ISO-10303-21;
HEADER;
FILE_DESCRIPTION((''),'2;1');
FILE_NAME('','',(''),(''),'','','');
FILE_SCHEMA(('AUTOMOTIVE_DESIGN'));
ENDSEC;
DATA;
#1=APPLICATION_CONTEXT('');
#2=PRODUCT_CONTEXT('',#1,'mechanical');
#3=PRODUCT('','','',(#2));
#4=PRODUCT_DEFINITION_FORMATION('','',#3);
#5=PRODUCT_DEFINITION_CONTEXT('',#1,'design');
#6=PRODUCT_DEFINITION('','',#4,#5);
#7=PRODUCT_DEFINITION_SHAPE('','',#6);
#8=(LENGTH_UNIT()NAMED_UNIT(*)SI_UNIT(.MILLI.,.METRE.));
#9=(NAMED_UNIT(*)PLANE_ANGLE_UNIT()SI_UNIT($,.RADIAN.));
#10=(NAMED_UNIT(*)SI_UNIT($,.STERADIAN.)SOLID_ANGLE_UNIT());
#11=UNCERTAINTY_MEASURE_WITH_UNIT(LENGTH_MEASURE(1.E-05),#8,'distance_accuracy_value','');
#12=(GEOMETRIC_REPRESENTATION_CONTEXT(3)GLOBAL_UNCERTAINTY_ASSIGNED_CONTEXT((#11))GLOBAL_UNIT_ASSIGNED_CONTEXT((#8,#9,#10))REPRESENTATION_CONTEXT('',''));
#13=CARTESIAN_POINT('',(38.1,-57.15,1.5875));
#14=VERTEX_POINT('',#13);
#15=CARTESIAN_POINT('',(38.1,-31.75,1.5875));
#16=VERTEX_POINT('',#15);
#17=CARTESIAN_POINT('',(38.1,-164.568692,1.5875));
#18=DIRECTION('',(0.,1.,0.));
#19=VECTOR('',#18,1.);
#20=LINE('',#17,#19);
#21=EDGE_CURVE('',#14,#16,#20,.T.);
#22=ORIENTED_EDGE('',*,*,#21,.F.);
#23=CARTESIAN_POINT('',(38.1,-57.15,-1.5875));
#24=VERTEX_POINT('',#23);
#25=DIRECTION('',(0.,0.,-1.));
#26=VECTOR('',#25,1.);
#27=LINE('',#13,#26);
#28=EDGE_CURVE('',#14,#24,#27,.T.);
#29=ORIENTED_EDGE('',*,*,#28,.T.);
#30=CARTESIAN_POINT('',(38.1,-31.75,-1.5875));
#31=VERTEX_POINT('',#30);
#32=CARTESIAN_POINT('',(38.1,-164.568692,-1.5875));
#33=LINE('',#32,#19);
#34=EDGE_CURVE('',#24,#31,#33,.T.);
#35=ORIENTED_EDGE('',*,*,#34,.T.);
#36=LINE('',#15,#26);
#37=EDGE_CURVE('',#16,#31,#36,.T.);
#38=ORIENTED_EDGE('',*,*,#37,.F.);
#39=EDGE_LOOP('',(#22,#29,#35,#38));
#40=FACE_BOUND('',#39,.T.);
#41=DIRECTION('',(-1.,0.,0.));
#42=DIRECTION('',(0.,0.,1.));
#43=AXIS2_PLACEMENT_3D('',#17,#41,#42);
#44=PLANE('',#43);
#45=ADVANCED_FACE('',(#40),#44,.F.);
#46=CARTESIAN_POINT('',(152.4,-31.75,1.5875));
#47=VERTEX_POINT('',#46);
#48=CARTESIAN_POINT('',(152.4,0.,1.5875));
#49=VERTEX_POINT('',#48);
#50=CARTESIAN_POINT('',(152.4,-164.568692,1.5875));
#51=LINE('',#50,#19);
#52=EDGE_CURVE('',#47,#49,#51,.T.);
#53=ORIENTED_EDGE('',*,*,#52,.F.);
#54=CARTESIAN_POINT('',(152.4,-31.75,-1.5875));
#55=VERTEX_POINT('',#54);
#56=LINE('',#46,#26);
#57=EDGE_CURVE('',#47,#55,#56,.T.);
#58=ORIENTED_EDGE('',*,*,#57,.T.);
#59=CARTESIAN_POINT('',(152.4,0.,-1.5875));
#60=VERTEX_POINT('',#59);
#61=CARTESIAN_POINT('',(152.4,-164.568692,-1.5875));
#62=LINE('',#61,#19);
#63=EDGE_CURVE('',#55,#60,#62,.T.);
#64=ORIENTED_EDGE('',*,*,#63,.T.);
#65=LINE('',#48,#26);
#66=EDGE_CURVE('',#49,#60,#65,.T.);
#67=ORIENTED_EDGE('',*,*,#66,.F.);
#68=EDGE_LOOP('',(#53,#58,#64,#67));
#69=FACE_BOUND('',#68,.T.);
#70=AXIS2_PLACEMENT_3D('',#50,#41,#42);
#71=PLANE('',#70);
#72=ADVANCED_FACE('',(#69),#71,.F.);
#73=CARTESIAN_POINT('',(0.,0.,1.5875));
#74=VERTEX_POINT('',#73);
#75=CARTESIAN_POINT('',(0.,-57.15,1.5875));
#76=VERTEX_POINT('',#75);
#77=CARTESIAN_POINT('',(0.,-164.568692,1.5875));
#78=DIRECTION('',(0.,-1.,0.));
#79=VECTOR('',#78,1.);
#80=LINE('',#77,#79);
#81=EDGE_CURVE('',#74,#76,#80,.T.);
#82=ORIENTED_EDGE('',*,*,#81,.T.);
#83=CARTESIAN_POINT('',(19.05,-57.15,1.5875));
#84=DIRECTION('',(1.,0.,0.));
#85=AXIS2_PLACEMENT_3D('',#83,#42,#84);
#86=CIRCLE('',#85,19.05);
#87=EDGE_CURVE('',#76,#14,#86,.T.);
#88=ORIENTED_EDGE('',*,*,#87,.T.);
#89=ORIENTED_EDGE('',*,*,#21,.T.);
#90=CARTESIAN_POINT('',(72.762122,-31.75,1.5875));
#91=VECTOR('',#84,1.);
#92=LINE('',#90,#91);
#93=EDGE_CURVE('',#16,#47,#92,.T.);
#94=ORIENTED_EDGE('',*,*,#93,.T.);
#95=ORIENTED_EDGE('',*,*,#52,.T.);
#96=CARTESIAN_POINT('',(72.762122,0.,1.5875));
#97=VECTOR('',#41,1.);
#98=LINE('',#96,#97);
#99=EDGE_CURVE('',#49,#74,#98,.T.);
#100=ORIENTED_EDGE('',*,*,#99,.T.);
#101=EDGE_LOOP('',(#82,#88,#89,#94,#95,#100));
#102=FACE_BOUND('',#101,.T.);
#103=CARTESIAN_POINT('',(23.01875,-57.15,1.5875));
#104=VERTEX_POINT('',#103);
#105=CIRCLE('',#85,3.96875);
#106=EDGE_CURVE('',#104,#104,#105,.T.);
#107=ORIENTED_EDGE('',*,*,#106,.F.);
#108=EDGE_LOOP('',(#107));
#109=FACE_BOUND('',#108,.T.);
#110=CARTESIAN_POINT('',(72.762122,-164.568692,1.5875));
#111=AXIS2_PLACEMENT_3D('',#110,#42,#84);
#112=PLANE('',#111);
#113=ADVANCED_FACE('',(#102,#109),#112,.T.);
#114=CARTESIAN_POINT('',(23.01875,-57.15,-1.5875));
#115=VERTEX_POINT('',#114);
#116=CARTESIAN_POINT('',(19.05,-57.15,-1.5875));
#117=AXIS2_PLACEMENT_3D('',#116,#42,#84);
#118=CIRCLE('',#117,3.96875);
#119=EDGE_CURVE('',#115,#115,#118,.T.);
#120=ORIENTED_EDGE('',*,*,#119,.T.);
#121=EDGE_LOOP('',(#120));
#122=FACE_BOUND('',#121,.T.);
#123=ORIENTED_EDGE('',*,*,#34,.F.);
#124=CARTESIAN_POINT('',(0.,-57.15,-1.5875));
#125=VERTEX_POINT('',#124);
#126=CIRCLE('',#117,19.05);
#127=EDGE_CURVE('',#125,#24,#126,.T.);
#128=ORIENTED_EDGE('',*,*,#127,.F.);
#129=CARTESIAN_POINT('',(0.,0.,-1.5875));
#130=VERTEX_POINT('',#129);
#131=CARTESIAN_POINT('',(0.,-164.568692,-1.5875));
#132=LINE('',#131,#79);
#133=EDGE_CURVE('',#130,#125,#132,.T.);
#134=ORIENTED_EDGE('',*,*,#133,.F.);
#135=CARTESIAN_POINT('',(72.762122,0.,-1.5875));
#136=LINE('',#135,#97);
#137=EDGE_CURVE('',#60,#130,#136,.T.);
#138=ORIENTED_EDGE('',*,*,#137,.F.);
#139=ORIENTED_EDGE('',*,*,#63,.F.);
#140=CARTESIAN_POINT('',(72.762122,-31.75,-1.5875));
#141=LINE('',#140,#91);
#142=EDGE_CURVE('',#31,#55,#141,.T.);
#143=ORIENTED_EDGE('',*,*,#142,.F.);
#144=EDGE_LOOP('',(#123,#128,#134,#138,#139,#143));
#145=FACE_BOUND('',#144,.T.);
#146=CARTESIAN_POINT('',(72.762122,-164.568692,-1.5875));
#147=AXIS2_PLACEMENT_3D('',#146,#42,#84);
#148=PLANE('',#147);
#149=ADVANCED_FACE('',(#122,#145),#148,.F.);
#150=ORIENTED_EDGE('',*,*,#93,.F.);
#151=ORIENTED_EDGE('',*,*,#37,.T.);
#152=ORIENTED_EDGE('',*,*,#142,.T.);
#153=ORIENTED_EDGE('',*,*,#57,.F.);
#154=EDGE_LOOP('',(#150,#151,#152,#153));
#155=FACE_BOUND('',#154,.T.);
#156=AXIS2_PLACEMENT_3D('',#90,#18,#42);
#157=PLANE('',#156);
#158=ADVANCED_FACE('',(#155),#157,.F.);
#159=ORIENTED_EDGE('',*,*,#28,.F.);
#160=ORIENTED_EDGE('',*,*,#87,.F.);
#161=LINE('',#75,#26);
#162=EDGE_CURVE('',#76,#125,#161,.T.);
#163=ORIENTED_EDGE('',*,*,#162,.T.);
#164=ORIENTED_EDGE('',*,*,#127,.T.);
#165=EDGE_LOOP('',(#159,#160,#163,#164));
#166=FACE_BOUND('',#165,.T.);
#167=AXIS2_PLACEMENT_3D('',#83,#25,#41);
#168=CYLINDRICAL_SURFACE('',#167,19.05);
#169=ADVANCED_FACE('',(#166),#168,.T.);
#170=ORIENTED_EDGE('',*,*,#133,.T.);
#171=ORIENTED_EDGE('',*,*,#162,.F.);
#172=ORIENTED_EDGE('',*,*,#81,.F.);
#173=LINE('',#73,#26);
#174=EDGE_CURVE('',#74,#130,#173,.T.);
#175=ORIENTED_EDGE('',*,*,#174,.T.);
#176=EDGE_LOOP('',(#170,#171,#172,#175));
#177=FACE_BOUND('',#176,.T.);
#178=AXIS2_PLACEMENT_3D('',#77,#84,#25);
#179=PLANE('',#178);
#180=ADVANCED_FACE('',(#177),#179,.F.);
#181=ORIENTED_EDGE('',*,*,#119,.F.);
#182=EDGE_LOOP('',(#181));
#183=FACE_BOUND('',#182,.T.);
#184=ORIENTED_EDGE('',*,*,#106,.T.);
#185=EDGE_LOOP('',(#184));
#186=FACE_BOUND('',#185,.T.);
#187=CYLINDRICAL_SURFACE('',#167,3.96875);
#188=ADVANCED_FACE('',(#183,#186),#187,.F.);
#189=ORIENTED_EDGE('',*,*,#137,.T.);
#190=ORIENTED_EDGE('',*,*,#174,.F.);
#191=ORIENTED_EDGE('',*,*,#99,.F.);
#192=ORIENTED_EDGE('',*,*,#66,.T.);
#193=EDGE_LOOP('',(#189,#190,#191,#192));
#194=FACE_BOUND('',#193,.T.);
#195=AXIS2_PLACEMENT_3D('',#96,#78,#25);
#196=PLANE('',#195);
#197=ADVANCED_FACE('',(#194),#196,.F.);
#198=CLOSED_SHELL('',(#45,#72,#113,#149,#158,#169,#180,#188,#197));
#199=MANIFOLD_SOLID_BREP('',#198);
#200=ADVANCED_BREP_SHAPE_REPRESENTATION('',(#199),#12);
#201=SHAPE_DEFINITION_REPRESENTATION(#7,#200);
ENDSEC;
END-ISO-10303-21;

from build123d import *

# Parameters (mm, degrees)
SKETCH1_R           = 3.96875
BOSS_EXTRUDE1_DEPTH = 1.5875


with BuildPart() as part:
    # Sketch1 → Boss-Extrude1 (new body, symmetric)
    with BuildSketch(Plane.XY):
        with BuildLine():
            Line((0, 0), (0, -57.15))
            ThreePointArc((0, -57.15), (19.05, -76.2), (38.1, -57.15))
            Line((38.1, -57.15), (38.1, -31.75))
            Line((38.1, -31.75), (152.4, -31.75))
            Line((152.4, -31.75), (152.4, 0))
            Line((152.4, 0), (0, 0))
        make_face()
        with Locations((19.05, -57.15)):
            Circle(SKETCH1_R, mode=Mode.SUBTRACT)
    extrude(amount=BOSS_EXTRUDE1_DEPTH, both=True)


solid = part.part
